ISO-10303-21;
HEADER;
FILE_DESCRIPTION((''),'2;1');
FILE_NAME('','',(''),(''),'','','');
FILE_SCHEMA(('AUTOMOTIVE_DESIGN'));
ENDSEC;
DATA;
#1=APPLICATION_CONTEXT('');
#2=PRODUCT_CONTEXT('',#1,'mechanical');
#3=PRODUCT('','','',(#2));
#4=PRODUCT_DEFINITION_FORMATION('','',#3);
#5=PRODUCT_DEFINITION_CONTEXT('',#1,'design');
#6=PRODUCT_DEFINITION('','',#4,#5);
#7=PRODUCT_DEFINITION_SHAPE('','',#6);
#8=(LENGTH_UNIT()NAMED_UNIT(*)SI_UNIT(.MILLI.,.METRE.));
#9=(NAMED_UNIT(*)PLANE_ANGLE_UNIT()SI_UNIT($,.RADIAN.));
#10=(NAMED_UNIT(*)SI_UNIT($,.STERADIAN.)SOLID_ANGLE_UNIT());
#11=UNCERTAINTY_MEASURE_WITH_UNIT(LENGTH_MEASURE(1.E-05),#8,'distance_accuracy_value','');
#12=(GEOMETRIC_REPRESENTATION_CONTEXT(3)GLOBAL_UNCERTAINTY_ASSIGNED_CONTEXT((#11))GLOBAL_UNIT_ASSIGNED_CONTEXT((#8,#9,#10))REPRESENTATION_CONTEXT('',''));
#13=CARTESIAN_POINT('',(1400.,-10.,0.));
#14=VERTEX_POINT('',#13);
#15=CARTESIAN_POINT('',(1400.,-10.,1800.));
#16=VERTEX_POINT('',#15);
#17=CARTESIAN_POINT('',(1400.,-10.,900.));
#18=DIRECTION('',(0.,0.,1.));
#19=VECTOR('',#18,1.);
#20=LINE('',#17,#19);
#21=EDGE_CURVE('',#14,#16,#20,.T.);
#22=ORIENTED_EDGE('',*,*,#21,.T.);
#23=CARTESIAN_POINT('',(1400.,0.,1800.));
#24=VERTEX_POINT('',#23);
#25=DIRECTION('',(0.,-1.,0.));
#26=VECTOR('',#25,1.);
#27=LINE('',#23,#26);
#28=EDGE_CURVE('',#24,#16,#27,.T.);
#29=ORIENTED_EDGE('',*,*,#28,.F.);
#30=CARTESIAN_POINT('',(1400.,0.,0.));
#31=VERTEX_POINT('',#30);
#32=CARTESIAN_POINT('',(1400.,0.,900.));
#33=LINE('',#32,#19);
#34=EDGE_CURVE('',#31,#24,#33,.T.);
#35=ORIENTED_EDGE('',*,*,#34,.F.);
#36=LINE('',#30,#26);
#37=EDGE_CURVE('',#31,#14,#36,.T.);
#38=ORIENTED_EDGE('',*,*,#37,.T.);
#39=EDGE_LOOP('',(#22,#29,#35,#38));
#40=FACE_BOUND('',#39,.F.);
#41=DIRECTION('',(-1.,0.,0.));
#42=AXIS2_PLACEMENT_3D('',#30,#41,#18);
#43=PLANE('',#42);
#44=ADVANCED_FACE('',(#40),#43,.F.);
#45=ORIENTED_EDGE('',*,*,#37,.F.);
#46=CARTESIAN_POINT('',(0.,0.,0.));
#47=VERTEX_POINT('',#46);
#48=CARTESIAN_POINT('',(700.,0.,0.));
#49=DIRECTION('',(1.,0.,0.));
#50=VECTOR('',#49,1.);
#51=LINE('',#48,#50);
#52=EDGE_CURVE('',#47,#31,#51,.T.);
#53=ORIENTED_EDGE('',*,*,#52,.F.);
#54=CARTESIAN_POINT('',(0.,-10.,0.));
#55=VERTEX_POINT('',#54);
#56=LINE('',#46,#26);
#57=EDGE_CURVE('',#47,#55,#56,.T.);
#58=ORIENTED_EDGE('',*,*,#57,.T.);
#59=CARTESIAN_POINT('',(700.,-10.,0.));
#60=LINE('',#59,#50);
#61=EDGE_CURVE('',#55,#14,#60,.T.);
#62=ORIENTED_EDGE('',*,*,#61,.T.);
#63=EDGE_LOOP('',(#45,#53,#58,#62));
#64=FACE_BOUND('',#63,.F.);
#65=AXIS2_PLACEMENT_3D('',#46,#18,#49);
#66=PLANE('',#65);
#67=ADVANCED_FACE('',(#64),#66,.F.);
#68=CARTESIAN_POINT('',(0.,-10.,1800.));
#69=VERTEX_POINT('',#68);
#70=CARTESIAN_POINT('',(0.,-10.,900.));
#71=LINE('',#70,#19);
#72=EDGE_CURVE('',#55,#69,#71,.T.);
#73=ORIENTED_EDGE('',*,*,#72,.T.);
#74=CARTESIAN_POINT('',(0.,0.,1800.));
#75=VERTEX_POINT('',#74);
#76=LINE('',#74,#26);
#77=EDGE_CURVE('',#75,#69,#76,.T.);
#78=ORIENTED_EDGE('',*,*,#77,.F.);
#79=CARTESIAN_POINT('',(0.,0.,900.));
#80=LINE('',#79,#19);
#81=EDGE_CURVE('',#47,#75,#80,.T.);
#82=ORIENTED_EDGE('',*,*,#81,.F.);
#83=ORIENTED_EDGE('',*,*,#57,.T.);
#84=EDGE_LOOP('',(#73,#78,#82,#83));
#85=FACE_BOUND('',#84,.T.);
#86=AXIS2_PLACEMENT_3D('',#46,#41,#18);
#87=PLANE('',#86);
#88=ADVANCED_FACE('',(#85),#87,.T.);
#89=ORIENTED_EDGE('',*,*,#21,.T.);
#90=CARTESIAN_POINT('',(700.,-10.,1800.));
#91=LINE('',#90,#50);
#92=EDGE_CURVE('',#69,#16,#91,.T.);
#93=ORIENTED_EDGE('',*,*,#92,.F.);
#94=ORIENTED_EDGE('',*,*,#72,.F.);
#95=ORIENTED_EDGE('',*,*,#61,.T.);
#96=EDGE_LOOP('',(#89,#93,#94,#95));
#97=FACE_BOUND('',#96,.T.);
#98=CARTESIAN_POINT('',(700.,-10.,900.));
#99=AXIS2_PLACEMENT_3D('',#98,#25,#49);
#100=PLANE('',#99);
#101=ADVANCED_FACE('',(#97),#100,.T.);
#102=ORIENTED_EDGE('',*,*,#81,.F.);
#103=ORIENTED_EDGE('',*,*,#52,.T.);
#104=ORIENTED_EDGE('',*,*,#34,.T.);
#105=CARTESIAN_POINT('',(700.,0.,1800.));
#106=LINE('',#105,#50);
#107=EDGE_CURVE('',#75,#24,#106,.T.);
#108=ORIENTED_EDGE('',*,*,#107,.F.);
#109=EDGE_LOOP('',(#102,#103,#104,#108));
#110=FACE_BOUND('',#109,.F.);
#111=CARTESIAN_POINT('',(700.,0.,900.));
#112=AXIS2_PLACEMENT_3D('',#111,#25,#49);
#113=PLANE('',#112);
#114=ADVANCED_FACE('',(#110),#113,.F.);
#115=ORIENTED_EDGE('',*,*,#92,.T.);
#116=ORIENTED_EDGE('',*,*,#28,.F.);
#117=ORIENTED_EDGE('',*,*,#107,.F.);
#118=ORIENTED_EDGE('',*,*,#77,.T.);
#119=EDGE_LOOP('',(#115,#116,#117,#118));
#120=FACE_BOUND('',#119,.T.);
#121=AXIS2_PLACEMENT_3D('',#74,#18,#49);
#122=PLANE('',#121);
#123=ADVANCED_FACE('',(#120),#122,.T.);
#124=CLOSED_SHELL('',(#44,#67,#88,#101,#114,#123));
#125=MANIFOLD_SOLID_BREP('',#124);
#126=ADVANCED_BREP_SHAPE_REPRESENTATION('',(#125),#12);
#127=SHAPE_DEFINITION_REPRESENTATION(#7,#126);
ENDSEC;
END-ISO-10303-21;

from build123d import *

# Parameters (mm, degrees)
SKETCH_W  = 1400
SKETCH_H  = 1800
PAD_DEPTH = 10


with BuildPart() as part:
    # Sketch → Pad (new body)
    with BuildSketch(Plane.XZ):
        with Locations((700, 900)):
            Rectangle(SKETCH_W, SKETCH_H)
    extrude(amount=PAD_DEPTH)


solid = part.part
